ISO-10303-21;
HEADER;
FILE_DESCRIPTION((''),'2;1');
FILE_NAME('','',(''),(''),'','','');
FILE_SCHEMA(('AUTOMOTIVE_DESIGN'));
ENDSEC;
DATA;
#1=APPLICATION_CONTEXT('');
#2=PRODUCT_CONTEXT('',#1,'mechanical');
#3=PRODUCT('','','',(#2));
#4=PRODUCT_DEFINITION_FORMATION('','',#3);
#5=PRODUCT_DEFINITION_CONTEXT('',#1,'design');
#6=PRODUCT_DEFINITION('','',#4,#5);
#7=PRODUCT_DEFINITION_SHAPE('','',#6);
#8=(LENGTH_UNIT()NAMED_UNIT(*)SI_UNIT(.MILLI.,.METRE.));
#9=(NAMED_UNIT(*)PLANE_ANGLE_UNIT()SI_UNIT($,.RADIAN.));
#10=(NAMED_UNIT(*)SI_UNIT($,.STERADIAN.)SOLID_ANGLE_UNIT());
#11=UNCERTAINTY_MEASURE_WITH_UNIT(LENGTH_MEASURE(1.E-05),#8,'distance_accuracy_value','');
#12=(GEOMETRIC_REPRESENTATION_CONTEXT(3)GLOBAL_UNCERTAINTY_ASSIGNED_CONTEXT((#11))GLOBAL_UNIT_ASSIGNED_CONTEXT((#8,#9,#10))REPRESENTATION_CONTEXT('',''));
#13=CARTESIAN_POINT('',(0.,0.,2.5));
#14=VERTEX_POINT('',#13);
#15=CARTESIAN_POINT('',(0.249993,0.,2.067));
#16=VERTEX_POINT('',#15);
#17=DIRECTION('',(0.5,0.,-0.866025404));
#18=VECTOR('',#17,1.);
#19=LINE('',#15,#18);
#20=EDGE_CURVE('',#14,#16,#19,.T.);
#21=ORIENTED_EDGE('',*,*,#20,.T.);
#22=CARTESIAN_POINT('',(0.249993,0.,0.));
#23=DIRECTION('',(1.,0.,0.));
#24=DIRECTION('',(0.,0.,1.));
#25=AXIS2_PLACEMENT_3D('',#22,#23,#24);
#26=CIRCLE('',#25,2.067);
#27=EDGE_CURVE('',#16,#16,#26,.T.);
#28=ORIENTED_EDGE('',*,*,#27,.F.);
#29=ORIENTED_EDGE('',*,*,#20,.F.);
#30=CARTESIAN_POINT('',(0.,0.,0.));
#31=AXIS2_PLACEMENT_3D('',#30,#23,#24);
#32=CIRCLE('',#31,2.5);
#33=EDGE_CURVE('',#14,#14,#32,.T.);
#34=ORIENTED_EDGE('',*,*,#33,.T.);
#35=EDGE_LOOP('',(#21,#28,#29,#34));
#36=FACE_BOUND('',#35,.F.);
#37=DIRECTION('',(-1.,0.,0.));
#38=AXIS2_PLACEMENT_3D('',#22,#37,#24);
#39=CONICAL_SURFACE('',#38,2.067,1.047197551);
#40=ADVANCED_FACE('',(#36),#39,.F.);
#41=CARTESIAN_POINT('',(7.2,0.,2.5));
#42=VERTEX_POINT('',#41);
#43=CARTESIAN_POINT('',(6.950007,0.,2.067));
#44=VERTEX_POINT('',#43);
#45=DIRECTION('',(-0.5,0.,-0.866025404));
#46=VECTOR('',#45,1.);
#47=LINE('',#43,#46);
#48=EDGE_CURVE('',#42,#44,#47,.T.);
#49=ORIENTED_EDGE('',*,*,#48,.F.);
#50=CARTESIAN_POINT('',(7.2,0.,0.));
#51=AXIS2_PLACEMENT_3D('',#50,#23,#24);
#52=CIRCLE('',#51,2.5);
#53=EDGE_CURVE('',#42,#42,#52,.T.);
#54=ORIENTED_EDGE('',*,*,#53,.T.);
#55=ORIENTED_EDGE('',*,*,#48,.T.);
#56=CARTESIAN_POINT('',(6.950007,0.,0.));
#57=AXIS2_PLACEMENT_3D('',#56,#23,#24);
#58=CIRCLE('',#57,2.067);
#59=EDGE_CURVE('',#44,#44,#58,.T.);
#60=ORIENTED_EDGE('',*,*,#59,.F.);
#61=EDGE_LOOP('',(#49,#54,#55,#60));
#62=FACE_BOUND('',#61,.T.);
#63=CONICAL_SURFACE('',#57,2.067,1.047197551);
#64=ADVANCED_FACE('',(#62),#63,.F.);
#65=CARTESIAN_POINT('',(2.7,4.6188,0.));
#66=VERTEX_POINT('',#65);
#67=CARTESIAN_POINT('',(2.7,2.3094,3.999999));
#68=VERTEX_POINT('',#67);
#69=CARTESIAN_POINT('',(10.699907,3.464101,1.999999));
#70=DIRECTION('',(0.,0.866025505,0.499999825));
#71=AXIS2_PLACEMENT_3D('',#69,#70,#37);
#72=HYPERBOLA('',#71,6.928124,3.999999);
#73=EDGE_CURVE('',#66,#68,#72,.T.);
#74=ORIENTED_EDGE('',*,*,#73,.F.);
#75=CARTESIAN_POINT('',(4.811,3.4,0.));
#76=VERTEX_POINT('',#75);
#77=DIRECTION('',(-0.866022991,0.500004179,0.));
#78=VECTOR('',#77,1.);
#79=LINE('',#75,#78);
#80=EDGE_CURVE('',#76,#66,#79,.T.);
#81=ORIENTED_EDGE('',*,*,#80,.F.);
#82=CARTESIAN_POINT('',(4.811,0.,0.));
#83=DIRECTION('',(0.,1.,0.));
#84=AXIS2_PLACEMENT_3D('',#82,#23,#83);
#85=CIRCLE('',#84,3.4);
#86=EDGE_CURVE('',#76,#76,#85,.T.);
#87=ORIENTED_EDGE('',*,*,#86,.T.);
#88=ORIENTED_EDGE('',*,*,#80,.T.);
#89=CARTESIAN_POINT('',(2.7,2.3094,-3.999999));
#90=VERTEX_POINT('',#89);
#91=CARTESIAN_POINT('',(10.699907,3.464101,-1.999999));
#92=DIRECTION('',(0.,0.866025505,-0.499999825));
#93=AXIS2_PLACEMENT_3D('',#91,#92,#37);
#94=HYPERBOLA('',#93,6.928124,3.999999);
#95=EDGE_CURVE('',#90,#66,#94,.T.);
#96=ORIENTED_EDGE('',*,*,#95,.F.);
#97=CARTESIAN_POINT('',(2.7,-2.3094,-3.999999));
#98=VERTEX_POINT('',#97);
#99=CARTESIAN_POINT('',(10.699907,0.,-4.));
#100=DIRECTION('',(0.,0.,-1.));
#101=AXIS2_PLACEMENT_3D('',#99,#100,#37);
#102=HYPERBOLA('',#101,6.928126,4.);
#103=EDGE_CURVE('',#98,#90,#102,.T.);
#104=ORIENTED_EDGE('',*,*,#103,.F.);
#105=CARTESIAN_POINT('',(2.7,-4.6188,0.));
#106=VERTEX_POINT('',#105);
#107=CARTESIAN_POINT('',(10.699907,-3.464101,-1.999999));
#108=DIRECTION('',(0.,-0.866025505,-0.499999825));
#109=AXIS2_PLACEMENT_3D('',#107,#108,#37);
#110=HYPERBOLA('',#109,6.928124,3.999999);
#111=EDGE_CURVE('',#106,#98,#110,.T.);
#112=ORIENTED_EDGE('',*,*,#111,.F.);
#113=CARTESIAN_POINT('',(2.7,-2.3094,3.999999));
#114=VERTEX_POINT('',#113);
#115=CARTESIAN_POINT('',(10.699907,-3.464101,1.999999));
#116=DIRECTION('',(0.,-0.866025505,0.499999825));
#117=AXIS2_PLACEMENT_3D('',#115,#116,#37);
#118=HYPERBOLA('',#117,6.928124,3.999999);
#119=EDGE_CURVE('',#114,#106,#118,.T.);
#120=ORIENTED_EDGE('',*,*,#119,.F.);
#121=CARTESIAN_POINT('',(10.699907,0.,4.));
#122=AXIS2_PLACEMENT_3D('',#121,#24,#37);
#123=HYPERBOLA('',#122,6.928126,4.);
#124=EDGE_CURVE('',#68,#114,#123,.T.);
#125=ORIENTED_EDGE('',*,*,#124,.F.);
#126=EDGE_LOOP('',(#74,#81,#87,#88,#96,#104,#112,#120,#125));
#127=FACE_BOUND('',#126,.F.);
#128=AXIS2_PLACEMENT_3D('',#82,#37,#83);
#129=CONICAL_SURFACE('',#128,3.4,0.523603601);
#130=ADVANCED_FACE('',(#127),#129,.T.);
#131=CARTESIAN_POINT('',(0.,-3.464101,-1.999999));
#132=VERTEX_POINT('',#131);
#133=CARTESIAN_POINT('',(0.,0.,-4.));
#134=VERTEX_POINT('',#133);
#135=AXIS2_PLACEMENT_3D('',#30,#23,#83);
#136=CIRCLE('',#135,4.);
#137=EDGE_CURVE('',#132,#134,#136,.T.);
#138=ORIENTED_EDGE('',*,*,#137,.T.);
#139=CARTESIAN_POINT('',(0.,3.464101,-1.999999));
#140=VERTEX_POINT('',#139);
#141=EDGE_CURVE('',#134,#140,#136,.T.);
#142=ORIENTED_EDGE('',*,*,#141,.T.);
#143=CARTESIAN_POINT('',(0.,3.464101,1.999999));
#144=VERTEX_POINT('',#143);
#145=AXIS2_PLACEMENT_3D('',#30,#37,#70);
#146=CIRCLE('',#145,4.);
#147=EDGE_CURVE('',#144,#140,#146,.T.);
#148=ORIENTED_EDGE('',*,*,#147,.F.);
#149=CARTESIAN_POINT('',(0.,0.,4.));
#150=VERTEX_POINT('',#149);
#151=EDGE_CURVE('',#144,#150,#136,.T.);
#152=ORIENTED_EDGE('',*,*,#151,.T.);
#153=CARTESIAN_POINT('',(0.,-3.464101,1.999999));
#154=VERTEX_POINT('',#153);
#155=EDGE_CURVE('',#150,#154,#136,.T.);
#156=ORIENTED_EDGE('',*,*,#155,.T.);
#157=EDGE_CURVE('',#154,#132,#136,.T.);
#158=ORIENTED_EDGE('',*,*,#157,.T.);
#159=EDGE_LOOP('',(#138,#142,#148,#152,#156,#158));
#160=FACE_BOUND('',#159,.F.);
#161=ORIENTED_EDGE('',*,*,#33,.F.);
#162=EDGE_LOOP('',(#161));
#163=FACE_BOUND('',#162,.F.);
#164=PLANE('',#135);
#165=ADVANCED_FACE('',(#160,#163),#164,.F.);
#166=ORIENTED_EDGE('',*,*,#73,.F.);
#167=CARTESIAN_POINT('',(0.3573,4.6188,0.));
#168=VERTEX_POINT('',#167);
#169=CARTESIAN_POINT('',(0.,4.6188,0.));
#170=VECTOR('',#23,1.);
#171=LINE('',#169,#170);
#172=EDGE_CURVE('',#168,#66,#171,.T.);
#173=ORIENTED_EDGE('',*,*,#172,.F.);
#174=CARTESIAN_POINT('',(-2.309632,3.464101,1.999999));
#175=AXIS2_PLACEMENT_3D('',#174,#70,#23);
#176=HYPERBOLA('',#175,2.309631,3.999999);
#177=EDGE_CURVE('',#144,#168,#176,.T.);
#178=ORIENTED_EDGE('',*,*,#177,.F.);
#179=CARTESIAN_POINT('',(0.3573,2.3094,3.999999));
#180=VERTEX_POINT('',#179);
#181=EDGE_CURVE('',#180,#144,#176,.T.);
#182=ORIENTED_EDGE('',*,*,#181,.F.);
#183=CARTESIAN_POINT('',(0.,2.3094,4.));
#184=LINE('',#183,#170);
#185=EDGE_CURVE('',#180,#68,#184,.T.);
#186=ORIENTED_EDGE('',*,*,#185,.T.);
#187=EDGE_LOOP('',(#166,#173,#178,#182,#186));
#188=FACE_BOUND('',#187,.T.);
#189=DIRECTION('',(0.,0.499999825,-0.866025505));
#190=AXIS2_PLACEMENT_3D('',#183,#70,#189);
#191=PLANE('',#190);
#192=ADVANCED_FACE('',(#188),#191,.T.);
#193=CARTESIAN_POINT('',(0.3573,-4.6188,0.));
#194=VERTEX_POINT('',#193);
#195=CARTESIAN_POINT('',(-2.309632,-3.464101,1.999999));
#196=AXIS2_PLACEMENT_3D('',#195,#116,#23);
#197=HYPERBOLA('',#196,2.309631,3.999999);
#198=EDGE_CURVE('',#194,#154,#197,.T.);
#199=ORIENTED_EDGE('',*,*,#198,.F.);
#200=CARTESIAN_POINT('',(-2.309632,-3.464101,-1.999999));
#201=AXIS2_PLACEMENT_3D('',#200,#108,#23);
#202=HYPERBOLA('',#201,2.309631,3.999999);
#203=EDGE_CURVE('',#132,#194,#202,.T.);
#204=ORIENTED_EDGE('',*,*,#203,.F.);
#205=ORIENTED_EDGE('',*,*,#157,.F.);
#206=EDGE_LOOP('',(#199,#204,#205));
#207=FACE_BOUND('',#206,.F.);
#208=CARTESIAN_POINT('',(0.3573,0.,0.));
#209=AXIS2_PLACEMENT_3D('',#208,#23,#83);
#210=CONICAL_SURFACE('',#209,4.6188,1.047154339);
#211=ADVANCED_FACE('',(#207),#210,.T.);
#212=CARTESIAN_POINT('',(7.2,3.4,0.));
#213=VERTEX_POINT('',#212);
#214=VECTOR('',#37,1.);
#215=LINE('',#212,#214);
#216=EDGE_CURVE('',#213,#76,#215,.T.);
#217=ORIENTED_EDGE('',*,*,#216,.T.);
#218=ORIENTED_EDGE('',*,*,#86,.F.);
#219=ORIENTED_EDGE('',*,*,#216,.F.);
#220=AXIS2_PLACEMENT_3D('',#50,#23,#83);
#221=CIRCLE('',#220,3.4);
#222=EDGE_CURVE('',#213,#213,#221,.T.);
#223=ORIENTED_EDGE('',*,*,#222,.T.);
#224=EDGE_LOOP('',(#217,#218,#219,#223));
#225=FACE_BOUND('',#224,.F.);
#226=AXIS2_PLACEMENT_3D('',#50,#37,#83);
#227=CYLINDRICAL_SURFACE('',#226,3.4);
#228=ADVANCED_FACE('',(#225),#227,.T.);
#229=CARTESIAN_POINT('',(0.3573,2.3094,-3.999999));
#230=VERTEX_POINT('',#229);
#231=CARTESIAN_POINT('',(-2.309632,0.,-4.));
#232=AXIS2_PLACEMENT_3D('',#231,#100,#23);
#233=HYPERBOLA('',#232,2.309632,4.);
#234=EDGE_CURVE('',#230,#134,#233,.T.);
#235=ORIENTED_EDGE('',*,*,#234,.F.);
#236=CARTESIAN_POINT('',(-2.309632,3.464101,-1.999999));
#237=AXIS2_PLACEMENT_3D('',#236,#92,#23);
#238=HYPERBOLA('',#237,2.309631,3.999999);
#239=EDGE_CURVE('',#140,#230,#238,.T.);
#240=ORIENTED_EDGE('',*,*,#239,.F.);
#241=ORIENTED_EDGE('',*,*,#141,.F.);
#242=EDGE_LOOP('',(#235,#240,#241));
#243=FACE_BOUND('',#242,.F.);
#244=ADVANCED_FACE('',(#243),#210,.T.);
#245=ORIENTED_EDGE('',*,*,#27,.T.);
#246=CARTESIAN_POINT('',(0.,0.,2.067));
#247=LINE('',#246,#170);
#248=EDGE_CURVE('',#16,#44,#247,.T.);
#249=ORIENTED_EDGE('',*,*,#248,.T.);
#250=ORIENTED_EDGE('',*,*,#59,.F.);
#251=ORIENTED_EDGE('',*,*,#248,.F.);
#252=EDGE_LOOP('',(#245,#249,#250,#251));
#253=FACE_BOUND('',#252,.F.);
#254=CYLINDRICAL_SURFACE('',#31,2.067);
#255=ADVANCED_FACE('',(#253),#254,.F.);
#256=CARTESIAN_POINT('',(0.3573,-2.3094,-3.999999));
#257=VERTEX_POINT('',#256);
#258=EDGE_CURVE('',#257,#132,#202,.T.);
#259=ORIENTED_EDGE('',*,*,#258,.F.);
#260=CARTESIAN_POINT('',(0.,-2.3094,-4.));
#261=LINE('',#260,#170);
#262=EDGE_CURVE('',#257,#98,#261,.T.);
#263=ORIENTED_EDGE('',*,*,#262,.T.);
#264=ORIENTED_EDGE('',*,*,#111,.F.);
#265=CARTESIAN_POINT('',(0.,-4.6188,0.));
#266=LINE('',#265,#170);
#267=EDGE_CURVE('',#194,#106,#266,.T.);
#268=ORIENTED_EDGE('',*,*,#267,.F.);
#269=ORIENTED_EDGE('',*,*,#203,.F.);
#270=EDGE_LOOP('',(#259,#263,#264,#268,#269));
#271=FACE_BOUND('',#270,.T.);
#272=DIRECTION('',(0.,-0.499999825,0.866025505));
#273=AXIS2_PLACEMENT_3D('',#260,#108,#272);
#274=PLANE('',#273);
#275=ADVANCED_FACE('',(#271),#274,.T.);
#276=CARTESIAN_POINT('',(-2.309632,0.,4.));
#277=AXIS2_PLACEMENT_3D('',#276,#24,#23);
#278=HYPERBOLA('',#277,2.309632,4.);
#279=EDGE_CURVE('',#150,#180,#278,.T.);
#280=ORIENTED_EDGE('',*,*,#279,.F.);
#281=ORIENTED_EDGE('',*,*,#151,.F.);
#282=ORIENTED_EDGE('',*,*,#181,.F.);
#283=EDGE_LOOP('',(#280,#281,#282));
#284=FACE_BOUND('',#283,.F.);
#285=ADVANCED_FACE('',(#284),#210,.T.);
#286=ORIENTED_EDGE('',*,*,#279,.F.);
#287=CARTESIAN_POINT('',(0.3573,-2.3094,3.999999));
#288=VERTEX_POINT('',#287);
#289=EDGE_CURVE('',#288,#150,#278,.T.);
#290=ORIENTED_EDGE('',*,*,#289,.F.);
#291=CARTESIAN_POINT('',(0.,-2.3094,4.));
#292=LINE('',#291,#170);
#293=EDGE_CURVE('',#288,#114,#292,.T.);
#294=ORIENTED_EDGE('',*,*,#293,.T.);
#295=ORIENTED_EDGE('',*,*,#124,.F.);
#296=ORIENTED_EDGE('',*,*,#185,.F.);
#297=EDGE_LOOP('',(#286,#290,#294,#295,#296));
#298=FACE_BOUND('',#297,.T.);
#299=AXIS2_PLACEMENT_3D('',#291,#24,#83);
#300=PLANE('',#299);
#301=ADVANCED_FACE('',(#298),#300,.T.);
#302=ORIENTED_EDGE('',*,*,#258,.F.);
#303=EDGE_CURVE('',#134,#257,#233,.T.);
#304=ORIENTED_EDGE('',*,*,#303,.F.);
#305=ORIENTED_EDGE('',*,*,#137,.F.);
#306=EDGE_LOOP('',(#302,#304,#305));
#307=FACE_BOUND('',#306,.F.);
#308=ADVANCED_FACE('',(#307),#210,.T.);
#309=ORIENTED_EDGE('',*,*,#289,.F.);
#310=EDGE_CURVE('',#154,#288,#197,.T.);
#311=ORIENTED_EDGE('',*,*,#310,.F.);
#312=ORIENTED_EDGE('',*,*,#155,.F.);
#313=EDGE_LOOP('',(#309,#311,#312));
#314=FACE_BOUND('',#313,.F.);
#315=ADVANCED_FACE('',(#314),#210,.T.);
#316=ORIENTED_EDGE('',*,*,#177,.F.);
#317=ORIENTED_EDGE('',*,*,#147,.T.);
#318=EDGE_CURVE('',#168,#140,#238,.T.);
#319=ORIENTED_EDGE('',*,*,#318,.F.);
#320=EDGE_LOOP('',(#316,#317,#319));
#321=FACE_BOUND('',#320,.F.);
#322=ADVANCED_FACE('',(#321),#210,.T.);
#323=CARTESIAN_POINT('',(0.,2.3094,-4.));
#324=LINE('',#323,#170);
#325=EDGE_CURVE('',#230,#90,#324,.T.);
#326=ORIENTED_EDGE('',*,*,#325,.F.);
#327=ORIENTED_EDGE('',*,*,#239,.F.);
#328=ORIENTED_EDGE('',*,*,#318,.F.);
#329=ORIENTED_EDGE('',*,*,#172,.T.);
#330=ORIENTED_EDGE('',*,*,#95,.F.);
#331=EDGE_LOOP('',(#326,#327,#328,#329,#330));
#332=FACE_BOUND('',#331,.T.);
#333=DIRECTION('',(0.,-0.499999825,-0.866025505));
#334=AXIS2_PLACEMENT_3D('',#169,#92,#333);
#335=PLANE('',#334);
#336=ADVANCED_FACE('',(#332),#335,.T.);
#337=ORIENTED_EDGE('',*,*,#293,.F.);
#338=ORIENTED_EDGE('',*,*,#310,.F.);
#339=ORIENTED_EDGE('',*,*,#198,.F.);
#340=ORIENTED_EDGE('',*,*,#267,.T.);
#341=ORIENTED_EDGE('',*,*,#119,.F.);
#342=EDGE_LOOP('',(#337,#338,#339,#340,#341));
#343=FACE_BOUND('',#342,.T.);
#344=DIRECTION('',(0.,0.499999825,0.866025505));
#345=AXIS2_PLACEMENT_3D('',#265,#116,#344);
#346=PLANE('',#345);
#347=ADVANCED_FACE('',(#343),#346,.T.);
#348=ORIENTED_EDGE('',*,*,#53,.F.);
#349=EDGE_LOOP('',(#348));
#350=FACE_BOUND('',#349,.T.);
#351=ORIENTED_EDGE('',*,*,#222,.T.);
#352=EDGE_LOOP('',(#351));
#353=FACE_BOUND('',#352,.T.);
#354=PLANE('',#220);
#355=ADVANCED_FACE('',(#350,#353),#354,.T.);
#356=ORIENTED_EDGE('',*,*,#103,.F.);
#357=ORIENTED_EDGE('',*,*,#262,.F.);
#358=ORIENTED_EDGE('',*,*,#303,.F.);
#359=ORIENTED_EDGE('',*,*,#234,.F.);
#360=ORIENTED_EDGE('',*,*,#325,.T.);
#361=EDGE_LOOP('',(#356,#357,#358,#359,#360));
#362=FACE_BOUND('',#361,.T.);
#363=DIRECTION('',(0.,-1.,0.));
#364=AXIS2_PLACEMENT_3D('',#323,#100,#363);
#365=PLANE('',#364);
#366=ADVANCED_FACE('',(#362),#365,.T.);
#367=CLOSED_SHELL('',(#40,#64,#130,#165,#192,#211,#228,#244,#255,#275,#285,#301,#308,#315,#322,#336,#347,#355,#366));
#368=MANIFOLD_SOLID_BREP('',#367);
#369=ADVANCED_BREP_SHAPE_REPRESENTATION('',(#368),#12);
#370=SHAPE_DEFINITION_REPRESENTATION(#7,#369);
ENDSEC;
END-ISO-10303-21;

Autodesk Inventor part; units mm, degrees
ref_plane "YZ Plane" through (0, 0, 0) normal (1, 0, 0) x (0, 1, 0)
ref_plane "XZ Plane" through (0, 0, 0) normal (0, 1, 0) x (-1, 0, 0)
sketch "Sketch1" plane through (0, 0, 0) normal (1, 0, 0) x (0, 1, 0)
  line L0 (-4.6188, 0) -> (-2.3094, 4)
  line L1 (-2.3094, 4) -> (2.3094, 4)
  line L2 (2.3094, 4) -> (4.6188, 0)
  line L3 (4.6188, 0) -> (2.3094, -4)
  line L4 (2.3094, -4) -> (-2.3094, -4)
  line L5 (-2.3094, -4) -> (-4.6188, 0)
  point P0 (0, 0)
  point P1 (0, 0)
  dimension "d0" = 9.2376
extrude "Body" add sketch "Sketch1" along normal blind 7.2
sketch "Sketch2" plane through (0, 0, 0) normal (-1, 0, 0) x (0, 0, 1)
  line L0 (0, -6.4663) -> (0, 6.4663) projected
  line L1 (-5.6, 0) -> (5.6, 0) projected
  point P0 (0, 0)
hole "Thread" at (0, 0, 0) direction (1, 0, 0) diameter 4.134 end through all thread size "M5x0.8" class "6H" standard "ANSI Metric M Profile"
chamfer "Chamfer1" distance 0.433 angle 30 1 edges at (0, 0, -2.067) measured on face at (0, -2.8764, -1.7247)
chamfer "Chamfer2" distance 0.433 angle 30 1 edges at (7.2, 0, -2.067) measured on face at (7.2, -2.8764, -1.7247)
sketch "Sketch3" plane through (0, 0, 0) normal (0, 0, 1) x (1, 0, 0)
  line L0 (0, 2.3094) -> (0, 4.6188) projected
  line L1 (0, 4.6188) -> (7.2, 4.6188) projected
  line L2 (7.2, 2.3094) -> (7.2, 4.6188) projected
  line L3 (-1.44, 0) -> (8.64, 0) projected
  line L4 (0.3573, 4.6188) -> (0, 4)
  line L5 (7.2, 3.4) -> (4.811, 3.4)
  line L6 (4.811, 3.4) -> (2.7, 4.6188)
  dimension "d3" = 30
  dimension "d5" = 8
  dimension "d6" = 6.8
  dimension "d8" = 60
  dimension "d9" = 2.7
revolve "Chamfer3" cut sketch "Sketch3" angle 360 about axis through (-10, 0, 0) along (1, 0, 0)
ref_plane "Work Plane1" through (14.1836, 0, 0) normal (0, 0, 1) x (-1, 0, 0)
equation "\"d0\" = 1.1547 * SW"
equation "\"d1\" = KOH"
equation "\"d3\" = ANG1"
equation "\"d5\" = SW0"
equation "\"d6\" = SW1"
equation "\"d8\" = ANG2"
equation "\"d9\" = KOH1"
equation "\"d10\" = -0.5 * GD1 + 0.5 * NND"
equation "\"d39\" = -0.5 * GD1 + 0.5 * NND"
equation "\"d12\" = -0.5 * GD1 + 0.5 * NND"
equation "\"d40\" = -0.5 * GD1 + 0.5 * NND"
equation "\"ANG1\" = 30deg"
equation "\"ANG2\" = 60deg"
equation "\"NND\" = 5"
equation "\"KOH\" = 7.2"
equation "\"SW\" = 8"
equation "\"SW0\" = SW"
equation "\"SW1\" = 0.85 * SW"
equation "\"KOH1\" = 2.7"
equation "\"GUL\" = 0.541266 * PTC"
equation "\"THREADDIA\" = 5"
equation "\"TOA\" = 30deg"
equation "\"PTC\" = 0.8"
equation "\"E0\" = 1.155 * SW"
equation "\"GAL\" = 0.541266 * PTC"
equation "\"GD1\" = 4.133975"
properties part number "ANSI B18.16.3M - Property Class 9 - Metric M5 x 0.8 Top Insert Type" material "Steel, Mild"
